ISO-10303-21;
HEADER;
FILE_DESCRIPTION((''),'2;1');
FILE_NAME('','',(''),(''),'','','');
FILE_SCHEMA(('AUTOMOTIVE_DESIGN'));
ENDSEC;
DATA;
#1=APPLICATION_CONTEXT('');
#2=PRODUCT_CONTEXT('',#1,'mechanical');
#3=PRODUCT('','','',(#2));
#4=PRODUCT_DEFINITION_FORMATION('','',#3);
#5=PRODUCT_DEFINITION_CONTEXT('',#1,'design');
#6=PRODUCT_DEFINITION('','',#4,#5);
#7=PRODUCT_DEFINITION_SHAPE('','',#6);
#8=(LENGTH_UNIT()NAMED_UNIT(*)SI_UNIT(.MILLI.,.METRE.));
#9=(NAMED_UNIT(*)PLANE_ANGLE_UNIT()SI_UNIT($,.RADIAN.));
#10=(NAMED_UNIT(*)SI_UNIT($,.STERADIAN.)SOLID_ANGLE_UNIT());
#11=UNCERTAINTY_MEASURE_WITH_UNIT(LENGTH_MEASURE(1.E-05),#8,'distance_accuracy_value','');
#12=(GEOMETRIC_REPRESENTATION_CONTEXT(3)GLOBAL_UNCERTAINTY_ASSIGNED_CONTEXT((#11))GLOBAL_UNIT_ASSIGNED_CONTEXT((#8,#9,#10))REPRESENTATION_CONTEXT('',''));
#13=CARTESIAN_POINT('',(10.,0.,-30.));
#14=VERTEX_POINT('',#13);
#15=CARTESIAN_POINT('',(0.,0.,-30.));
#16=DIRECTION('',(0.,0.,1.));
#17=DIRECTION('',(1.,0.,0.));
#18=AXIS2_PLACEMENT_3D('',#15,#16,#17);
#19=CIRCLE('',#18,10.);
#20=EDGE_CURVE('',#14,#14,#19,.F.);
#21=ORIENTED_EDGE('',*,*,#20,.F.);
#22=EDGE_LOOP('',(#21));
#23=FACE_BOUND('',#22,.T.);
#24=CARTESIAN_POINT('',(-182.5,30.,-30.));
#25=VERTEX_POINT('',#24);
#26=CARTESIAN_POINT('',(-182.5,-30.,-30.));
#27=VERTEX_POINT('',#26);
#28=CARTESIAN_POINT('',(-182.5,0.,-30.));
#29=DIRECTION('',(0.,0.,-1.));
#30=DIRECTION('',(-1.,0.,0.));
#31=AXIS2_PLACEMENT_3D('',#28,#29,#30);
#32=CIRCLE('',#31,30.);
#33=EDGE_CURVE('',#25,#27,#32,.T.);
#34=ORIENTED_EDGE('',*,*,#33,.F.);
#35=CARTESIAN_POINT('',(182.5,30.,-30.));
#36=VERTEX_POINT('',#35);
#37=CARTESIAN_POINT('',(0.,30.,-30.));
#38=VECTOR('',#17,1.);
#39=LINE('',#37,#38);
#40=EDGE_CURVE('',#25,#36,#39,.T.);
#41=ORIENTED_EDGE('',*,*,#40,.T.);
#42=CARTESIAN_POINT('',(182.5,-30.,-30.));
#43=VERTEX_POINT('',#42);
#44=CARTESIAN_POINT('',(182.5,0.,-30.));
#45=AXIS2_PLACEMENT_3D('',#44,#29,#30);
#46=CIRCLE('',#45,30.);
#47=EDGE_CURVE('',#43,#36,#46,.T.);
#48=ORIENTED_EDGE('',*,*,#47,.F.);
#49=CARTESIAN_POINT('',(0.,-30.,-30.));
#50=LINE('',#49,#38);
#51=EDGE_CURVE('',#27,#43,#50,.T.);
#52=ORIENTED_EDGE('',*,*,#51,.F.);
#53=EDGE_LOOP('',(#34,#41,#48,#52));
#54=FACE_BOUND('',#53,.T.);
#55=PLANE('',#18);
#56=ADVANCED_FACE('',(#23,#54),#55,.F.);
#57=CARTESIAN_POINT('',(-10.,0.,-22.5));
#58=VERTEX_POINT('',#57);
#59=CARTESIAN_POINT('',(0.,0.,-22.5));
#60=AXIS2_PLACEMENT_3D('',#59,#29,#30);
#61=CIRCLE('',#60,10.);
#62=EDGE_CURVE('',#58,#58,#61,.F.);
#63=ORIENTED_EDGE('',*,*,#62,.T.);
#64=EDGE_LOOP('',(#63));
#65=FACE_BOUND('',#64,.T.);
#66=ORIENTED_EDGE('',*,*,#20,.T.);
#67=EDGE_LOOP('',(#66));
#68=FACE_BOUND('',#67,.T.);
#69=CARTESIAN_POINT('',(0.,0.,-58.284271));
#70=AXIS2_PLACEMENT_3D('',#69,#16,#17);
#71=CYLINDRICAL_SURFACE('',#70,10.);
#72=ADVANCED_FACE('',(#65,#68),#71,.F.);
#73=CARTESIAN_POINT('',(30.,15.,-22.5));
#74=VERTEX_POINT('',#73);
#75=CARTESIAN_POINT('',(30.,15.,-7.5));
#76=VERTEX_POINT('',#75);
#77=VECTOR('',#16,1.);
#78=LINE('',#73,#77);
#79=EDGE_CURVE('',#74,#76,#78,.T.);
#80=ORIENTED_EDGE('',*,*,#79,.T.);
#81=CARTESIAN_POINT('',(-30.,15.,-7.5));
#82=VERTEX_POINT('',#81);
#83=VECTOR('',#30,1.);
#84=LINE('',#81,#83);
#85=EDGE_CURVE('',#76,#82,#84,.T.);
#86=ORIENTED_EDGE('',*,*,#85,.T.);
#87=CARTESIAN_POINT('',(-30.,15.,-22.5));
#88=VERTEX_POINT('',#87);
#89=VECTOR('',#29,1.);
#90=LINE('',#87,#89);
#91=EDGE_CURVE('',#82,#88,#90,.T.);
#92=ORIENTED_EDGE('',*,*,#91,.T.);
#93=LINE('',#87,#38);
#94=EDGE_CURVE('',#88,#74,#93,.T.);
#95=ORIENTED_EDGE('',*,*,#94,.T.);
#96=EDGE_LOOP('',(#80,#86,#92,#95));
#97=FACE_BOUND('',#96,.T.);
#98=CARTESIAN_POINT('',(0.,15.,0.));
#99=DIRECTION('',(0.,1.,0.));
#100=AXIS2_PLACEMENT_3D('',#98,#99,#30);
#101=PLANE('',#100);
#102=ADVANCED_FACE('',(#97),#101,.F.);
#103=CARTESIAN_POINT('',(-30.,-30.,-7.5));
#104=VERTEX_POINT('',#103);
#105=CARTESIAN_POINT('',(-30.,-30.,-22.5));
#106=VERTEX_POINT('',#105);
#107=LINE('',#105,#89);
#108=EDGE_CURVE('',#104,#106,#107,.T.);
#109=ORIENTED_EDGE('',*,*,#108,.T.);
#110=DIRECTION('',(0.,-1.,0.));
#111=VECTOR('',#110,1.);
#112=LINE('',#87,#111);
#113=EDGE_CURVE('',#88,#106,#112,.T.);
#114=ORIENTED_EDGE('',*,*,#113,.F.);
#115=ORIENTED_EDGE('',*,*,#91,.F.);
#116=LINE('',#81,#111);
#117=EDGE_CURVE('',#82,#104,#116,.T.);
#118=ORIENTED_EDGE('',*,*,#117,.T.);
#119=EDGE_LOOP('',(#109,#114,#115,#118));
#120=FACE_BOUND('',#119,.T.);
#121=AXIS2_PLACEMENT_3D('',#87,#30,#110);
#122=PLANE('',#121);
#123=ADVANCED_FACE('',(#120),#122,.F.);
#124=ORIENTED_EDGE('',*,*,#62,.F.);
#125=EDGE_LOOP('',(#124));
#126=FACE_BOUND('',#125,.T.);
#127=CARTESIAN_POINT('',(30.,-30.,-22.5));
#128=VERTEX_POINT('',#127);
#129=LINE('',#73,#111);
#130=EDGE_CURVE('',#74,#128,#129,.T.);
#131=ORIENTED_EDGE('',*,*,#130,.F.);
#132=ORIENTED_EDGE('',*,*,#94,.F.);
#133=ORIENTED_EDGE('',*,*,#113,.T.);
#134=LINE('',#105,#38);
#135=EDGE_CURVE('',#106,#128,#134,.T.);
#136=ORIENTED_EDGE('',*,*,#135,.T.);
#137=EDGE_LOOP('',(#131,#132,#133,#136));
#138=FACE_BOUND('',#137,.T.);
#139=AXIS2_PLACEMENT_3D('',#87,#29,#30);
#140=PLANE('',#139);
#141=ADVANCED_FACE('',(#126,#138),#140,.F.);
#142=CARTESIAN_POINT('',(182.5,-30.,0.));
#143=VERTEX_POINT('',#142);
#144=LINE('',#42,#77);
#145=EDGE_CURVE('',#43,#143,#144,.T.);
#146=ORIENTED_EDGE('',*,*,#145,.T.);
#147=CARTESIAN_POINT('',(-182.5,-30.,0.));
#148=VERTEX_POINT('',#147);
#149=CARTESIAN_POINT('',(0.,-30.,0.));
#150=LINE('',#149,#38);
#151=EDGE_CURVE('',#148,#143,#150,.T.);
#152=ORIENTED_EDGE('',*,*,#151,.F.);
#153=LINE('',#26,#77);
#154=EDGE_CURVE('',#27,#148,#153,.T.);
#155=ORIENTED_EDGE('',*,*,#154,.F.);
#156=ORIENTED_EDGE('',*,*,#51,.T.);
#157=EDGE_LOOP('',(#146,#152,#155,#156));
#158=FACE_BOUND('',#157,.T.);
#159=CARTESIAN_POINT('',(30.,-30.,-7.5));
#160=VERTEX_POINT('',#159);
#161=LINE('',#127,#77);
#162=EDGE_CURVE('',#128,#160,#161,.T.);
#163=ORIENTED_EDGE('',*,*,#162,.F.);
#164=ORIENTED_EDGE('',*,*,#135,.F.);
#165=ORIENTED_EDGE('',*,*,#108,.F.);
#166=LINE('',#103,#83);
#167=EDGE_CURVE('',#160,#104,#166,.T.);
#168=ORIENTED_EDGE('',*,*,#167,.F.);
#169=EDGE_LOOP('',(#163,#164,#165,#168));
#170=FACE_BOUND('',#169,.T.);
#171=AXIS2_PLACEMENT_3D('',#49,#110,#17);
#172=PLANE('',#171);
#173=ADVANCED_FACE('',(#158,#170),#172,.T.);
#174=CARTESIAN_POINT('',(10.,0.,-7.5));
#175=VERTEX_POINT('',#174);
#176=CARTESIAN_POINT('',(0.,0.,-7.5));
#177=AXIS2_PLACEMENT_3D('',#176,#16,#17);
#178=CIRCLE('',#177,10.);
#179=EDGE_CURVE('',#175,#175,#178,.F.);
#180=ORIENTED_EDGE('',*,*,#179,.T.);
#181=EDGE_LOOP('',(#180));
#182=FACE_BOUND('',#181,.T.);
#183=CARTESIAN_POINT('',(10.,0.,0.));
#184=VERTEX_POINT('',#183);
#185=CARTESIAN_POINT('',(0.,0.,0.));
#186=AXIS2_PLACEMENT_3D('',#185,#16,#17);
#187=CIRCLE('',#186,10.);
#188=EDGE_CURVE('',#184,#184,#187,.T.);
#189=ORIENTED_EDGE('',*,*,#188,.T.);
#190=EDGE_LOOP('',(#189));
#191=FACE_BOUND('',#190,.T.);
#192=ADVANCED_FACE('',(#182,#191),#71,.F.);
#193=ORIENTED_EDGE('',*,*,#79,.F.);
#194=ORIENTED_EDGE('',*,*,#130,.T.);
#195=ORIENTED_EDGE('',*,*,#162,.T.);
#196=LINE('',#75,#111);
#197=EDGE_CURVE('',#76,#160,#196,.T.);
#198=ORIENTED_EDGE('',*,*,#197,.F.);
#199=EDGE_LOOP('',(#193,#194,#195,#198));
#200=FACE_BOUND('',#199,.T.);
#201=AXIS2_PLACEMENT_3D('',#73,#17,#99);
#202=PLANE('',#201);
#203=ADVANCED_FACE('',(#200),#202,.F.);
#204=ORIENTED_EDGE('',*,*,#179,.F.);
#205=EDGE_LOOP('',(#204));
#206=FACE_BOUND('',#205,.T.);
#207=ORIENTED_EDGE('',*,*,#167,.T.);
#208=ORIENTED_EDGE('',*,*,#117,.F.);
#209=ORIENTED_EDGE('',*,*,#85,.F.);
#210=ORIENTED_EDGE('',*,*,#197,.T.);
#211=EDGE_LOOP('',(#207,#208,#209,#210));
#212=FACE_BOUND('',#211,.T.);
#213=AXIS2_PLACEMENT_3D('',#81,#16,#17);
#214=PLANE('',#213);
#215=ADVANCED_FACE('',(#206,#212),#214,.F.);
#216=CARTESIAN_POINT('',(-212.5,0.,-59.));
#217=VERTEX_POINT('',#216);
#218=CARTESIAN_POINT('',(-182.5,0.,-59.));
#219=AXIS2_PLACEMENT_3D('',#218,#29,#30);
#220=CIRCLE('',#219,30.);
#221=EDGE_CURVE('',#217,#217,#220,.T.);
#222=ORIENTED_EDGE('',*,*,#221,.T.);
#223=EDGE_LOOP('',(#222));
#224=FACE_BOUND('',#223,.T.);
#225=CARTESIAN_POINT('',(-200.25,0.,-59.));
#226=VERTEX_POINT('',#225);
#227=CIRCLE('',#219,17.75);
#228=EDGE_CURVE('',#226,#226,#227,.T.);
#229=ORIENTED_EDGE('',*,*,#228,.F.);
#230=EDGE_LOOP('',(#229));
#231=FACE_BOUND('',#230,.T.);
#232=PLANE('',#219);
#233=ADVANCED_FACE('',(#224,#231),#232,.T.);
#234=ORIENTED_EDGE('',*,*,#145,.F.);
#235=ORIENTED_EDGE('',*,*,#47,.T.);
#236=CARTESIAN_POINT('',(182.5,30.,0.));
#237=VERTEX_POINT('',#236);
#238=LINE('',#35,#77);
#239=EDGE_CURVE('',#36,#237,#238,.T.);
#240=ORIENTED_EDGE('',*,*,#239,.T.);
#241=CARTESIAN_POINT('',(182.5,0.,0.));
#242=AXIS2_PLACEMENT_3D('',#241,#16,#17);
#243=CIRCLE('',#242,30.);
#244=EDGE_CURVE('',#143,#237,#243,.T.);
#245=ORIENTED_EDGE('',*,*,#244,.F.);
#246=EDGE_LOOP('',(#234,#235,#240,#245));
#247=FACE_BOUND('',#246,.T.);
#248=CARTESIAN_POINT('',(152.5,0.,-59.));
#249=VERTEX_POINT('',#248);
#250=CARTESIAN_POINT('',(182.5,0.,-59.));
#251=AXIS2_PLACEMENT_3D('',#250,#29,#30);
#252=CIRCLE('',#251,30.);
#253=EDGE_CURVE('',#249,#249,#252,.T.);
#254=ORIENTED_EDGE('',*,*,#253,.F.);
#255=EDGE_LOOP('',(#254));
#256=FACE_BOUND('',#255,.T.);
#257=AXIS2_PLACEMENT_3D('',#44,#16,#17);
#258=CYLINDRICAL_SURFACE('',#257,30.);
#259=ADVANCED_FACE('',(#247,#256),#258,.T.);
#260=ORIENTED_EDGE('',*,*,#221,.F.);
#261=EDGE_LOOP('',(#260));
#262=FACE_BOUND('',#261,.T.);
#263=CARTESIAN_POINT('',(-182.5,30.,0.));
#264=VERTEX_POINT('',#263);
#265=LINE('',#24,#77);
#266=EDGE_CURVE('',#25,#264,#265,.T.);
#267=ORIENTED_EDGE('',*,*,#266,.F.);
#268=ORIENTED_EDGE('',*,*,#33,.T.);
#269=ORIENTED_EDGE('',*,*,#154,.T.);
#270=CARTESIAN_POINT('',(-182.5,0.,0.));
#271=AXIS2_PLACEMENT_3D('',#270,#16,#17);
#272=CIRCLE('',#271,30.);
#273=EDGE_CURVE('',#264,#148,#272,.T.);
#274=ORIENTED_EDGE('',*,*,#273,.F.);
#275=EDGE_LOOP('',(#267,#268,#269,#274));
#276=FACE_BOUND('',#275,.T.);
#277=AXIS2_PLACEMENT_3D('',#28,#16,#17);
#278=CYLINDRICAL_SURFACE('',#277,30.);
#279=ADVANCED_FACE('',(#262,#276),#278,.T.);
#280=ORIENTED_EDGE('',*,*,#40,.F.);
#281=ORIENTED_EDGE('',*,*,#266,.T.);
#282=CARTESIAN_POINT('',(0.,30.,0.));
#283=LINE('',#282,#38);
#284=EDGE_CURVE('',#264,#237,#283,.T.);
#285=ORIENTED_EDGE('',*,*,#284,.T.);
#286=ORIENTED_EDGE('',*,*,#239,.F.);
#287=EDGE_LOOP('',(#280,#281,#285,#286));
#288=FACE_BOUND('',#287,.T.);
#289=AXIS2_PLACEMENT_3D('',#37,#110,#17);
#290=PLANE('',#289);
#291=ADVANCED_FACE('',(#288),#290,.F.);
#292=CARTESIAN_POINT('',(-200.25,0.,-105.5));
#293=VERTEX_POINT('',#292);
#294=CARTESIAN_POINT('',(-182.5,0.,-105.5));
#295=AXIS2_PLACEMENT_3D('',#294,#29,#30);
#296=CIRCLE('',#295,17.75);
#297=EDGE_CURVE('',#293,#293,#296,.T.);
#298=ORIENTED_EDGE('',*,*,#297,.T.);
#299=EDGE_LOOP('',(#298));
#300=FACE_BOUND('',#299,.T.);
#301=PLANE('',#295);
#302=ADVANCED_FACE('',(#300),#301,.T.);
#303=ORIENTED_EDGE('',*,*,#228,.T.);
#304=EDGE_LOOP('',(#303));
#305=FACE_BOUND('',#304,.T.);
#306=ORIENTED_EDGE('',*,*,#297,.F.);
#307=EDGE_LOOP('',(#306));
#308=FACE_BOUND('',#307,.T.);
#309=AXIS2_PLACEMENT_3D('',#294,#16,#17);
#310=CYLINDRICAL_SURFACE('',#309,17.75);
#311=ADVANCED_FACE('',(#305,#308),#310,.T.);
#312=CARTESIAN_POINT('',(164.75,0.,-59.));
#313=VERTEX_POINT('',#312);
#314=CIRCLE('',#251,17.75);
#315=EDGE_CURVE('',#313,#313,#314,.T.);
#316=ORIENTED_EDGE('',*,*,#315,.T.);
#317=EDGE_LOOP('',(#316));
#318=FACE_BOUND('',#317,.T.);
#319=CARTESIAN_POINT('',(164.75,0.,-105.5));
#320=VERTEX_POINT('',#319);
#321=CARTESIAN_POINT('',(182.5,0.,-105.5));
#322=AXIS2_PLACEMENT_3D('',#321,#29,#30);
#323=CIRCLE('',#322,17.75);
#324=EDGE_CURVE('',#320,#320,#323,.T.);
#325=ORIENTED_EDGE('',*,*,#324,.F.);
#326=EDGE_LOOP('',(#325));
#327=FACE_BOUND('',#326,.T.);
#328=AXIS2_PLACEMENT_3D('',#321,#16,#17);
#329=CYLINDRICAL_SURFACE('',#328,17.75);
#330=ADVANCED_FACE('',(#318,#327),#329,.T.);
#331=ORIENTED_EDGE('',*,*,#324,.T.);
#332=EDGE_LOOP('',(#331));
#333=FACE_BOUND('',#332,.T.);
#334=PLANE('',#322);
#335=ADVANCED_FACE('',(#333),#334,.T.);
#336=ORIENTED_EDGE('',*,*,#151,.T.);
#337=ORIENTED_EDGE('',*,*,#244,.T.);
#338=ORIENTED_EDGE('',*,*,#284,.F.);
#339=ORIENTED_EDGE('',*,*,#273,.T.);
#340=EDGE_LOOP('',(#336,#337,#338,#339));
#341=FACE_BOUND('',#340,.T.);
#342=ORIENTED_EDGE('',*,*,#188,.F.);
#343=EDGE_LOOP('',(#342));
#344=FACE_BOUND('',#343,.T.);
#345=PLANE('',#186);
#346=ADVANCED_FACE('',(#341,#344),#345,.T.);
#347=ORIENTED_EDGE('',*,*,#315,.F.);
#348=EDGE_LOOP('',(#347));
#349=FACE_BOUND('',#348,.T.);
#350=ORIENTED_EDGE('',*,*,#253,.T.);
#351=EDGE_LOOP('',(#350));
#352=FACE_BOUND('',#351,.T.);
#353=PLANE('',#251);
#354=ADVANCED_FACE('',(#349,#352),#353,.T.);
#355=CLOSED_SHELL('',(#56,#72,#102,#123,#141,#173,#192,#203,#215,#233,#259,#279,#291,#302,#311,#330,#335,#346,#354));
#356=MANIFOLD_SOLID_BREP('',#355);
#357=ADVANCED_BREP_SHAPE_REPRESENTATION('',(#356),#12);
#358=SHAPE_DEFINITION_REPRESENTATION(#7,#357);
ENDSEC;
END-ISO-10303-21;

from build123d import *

# Parameters (mm, degrees)
BOSS_EXTRUDE1_DEPTH = 30
SKETCH2_R           = 30
BOSS_EXTRUDE2_DEPTH = 29
SKETCH1_3_R         = 10
CUT_EXTRUDE1_DEPTH  = 30
BOSS_EXTRUDE3_START = -59
SKETCH1_4_R         = 17.75
BOSS_EXTRUDE3_DEPTH = 46.5
SKETCH3_W           = 60
SKETCH3_H           = 15
CUT_EXTRUDE2_DEPTH  = 45


with BuildPart() as part:
    # Sketch1 → Boss-Extrude1 (new body)
    with BuildSketch(Plane.XY):
        with BuildLine():
            Line((-182.5, 30), (182.5, 30))
            ThreePointArc((182.5, 30), (212.5, 0), (182.5, -30))
            Line((182.5, -30), (-182.5, -30))
            ThreePointArc((-182.5, -30), (-212.5, 0), (-182.5, 30))
        make_face()
    extrude(amount=-BOSS_EXTRUDE1_DEPTH)

    # Sketch2 → Boss-Extrude2 (add)
    with BuildSketch(Plane(origin=(0, 0, -30), x_dir=(-1, 0, 0), z_dir=(0, 0, -1))):
        with Locations((-182.5, 0)):
            Circle(SKETCH2_R)
        with Locations((182.5, 0)):
            Circle(SKETCH2_R)
    extrude(amount=BOSS_EXTRUDE2_DEPTH)

    # Sketch1<3> → Cut-Extrude1 (cut)
    with BuildSketch(Plane.XY):
        Circle(SKETCH1_3_R)
    extrude(amount=-CUT_EXTRUDE1_DEPTH, mode=Mode.SUBTRACT)

    # Sketch1<4> → Boss-Extrude3 (add)
    with BuildSketch(Plane.XY.offset(BOSS_EXTRUDE3_START)):
        with Locations((182.5, 0)):
            Circle(SKETCH1_4_R)
        with Locations((-182.5, 0)):
            Circle(SKETCH1_4_R)
    extrude(amount=-BOSS_EXTRUDE3_DEPTH)

    # Sketch3 → Cut-Extrude2 (cut)
    with BuildSketch(Plane.XZ.offset(30)):
        with Locations((0, -15)):
            Rectangle(SKETCH3_W, SKETCH3_H)
    extrude(amount=-CUT_EXTRUDE2_DEPTH, mode=Mode.SUBTRACT)


solid = part.part
